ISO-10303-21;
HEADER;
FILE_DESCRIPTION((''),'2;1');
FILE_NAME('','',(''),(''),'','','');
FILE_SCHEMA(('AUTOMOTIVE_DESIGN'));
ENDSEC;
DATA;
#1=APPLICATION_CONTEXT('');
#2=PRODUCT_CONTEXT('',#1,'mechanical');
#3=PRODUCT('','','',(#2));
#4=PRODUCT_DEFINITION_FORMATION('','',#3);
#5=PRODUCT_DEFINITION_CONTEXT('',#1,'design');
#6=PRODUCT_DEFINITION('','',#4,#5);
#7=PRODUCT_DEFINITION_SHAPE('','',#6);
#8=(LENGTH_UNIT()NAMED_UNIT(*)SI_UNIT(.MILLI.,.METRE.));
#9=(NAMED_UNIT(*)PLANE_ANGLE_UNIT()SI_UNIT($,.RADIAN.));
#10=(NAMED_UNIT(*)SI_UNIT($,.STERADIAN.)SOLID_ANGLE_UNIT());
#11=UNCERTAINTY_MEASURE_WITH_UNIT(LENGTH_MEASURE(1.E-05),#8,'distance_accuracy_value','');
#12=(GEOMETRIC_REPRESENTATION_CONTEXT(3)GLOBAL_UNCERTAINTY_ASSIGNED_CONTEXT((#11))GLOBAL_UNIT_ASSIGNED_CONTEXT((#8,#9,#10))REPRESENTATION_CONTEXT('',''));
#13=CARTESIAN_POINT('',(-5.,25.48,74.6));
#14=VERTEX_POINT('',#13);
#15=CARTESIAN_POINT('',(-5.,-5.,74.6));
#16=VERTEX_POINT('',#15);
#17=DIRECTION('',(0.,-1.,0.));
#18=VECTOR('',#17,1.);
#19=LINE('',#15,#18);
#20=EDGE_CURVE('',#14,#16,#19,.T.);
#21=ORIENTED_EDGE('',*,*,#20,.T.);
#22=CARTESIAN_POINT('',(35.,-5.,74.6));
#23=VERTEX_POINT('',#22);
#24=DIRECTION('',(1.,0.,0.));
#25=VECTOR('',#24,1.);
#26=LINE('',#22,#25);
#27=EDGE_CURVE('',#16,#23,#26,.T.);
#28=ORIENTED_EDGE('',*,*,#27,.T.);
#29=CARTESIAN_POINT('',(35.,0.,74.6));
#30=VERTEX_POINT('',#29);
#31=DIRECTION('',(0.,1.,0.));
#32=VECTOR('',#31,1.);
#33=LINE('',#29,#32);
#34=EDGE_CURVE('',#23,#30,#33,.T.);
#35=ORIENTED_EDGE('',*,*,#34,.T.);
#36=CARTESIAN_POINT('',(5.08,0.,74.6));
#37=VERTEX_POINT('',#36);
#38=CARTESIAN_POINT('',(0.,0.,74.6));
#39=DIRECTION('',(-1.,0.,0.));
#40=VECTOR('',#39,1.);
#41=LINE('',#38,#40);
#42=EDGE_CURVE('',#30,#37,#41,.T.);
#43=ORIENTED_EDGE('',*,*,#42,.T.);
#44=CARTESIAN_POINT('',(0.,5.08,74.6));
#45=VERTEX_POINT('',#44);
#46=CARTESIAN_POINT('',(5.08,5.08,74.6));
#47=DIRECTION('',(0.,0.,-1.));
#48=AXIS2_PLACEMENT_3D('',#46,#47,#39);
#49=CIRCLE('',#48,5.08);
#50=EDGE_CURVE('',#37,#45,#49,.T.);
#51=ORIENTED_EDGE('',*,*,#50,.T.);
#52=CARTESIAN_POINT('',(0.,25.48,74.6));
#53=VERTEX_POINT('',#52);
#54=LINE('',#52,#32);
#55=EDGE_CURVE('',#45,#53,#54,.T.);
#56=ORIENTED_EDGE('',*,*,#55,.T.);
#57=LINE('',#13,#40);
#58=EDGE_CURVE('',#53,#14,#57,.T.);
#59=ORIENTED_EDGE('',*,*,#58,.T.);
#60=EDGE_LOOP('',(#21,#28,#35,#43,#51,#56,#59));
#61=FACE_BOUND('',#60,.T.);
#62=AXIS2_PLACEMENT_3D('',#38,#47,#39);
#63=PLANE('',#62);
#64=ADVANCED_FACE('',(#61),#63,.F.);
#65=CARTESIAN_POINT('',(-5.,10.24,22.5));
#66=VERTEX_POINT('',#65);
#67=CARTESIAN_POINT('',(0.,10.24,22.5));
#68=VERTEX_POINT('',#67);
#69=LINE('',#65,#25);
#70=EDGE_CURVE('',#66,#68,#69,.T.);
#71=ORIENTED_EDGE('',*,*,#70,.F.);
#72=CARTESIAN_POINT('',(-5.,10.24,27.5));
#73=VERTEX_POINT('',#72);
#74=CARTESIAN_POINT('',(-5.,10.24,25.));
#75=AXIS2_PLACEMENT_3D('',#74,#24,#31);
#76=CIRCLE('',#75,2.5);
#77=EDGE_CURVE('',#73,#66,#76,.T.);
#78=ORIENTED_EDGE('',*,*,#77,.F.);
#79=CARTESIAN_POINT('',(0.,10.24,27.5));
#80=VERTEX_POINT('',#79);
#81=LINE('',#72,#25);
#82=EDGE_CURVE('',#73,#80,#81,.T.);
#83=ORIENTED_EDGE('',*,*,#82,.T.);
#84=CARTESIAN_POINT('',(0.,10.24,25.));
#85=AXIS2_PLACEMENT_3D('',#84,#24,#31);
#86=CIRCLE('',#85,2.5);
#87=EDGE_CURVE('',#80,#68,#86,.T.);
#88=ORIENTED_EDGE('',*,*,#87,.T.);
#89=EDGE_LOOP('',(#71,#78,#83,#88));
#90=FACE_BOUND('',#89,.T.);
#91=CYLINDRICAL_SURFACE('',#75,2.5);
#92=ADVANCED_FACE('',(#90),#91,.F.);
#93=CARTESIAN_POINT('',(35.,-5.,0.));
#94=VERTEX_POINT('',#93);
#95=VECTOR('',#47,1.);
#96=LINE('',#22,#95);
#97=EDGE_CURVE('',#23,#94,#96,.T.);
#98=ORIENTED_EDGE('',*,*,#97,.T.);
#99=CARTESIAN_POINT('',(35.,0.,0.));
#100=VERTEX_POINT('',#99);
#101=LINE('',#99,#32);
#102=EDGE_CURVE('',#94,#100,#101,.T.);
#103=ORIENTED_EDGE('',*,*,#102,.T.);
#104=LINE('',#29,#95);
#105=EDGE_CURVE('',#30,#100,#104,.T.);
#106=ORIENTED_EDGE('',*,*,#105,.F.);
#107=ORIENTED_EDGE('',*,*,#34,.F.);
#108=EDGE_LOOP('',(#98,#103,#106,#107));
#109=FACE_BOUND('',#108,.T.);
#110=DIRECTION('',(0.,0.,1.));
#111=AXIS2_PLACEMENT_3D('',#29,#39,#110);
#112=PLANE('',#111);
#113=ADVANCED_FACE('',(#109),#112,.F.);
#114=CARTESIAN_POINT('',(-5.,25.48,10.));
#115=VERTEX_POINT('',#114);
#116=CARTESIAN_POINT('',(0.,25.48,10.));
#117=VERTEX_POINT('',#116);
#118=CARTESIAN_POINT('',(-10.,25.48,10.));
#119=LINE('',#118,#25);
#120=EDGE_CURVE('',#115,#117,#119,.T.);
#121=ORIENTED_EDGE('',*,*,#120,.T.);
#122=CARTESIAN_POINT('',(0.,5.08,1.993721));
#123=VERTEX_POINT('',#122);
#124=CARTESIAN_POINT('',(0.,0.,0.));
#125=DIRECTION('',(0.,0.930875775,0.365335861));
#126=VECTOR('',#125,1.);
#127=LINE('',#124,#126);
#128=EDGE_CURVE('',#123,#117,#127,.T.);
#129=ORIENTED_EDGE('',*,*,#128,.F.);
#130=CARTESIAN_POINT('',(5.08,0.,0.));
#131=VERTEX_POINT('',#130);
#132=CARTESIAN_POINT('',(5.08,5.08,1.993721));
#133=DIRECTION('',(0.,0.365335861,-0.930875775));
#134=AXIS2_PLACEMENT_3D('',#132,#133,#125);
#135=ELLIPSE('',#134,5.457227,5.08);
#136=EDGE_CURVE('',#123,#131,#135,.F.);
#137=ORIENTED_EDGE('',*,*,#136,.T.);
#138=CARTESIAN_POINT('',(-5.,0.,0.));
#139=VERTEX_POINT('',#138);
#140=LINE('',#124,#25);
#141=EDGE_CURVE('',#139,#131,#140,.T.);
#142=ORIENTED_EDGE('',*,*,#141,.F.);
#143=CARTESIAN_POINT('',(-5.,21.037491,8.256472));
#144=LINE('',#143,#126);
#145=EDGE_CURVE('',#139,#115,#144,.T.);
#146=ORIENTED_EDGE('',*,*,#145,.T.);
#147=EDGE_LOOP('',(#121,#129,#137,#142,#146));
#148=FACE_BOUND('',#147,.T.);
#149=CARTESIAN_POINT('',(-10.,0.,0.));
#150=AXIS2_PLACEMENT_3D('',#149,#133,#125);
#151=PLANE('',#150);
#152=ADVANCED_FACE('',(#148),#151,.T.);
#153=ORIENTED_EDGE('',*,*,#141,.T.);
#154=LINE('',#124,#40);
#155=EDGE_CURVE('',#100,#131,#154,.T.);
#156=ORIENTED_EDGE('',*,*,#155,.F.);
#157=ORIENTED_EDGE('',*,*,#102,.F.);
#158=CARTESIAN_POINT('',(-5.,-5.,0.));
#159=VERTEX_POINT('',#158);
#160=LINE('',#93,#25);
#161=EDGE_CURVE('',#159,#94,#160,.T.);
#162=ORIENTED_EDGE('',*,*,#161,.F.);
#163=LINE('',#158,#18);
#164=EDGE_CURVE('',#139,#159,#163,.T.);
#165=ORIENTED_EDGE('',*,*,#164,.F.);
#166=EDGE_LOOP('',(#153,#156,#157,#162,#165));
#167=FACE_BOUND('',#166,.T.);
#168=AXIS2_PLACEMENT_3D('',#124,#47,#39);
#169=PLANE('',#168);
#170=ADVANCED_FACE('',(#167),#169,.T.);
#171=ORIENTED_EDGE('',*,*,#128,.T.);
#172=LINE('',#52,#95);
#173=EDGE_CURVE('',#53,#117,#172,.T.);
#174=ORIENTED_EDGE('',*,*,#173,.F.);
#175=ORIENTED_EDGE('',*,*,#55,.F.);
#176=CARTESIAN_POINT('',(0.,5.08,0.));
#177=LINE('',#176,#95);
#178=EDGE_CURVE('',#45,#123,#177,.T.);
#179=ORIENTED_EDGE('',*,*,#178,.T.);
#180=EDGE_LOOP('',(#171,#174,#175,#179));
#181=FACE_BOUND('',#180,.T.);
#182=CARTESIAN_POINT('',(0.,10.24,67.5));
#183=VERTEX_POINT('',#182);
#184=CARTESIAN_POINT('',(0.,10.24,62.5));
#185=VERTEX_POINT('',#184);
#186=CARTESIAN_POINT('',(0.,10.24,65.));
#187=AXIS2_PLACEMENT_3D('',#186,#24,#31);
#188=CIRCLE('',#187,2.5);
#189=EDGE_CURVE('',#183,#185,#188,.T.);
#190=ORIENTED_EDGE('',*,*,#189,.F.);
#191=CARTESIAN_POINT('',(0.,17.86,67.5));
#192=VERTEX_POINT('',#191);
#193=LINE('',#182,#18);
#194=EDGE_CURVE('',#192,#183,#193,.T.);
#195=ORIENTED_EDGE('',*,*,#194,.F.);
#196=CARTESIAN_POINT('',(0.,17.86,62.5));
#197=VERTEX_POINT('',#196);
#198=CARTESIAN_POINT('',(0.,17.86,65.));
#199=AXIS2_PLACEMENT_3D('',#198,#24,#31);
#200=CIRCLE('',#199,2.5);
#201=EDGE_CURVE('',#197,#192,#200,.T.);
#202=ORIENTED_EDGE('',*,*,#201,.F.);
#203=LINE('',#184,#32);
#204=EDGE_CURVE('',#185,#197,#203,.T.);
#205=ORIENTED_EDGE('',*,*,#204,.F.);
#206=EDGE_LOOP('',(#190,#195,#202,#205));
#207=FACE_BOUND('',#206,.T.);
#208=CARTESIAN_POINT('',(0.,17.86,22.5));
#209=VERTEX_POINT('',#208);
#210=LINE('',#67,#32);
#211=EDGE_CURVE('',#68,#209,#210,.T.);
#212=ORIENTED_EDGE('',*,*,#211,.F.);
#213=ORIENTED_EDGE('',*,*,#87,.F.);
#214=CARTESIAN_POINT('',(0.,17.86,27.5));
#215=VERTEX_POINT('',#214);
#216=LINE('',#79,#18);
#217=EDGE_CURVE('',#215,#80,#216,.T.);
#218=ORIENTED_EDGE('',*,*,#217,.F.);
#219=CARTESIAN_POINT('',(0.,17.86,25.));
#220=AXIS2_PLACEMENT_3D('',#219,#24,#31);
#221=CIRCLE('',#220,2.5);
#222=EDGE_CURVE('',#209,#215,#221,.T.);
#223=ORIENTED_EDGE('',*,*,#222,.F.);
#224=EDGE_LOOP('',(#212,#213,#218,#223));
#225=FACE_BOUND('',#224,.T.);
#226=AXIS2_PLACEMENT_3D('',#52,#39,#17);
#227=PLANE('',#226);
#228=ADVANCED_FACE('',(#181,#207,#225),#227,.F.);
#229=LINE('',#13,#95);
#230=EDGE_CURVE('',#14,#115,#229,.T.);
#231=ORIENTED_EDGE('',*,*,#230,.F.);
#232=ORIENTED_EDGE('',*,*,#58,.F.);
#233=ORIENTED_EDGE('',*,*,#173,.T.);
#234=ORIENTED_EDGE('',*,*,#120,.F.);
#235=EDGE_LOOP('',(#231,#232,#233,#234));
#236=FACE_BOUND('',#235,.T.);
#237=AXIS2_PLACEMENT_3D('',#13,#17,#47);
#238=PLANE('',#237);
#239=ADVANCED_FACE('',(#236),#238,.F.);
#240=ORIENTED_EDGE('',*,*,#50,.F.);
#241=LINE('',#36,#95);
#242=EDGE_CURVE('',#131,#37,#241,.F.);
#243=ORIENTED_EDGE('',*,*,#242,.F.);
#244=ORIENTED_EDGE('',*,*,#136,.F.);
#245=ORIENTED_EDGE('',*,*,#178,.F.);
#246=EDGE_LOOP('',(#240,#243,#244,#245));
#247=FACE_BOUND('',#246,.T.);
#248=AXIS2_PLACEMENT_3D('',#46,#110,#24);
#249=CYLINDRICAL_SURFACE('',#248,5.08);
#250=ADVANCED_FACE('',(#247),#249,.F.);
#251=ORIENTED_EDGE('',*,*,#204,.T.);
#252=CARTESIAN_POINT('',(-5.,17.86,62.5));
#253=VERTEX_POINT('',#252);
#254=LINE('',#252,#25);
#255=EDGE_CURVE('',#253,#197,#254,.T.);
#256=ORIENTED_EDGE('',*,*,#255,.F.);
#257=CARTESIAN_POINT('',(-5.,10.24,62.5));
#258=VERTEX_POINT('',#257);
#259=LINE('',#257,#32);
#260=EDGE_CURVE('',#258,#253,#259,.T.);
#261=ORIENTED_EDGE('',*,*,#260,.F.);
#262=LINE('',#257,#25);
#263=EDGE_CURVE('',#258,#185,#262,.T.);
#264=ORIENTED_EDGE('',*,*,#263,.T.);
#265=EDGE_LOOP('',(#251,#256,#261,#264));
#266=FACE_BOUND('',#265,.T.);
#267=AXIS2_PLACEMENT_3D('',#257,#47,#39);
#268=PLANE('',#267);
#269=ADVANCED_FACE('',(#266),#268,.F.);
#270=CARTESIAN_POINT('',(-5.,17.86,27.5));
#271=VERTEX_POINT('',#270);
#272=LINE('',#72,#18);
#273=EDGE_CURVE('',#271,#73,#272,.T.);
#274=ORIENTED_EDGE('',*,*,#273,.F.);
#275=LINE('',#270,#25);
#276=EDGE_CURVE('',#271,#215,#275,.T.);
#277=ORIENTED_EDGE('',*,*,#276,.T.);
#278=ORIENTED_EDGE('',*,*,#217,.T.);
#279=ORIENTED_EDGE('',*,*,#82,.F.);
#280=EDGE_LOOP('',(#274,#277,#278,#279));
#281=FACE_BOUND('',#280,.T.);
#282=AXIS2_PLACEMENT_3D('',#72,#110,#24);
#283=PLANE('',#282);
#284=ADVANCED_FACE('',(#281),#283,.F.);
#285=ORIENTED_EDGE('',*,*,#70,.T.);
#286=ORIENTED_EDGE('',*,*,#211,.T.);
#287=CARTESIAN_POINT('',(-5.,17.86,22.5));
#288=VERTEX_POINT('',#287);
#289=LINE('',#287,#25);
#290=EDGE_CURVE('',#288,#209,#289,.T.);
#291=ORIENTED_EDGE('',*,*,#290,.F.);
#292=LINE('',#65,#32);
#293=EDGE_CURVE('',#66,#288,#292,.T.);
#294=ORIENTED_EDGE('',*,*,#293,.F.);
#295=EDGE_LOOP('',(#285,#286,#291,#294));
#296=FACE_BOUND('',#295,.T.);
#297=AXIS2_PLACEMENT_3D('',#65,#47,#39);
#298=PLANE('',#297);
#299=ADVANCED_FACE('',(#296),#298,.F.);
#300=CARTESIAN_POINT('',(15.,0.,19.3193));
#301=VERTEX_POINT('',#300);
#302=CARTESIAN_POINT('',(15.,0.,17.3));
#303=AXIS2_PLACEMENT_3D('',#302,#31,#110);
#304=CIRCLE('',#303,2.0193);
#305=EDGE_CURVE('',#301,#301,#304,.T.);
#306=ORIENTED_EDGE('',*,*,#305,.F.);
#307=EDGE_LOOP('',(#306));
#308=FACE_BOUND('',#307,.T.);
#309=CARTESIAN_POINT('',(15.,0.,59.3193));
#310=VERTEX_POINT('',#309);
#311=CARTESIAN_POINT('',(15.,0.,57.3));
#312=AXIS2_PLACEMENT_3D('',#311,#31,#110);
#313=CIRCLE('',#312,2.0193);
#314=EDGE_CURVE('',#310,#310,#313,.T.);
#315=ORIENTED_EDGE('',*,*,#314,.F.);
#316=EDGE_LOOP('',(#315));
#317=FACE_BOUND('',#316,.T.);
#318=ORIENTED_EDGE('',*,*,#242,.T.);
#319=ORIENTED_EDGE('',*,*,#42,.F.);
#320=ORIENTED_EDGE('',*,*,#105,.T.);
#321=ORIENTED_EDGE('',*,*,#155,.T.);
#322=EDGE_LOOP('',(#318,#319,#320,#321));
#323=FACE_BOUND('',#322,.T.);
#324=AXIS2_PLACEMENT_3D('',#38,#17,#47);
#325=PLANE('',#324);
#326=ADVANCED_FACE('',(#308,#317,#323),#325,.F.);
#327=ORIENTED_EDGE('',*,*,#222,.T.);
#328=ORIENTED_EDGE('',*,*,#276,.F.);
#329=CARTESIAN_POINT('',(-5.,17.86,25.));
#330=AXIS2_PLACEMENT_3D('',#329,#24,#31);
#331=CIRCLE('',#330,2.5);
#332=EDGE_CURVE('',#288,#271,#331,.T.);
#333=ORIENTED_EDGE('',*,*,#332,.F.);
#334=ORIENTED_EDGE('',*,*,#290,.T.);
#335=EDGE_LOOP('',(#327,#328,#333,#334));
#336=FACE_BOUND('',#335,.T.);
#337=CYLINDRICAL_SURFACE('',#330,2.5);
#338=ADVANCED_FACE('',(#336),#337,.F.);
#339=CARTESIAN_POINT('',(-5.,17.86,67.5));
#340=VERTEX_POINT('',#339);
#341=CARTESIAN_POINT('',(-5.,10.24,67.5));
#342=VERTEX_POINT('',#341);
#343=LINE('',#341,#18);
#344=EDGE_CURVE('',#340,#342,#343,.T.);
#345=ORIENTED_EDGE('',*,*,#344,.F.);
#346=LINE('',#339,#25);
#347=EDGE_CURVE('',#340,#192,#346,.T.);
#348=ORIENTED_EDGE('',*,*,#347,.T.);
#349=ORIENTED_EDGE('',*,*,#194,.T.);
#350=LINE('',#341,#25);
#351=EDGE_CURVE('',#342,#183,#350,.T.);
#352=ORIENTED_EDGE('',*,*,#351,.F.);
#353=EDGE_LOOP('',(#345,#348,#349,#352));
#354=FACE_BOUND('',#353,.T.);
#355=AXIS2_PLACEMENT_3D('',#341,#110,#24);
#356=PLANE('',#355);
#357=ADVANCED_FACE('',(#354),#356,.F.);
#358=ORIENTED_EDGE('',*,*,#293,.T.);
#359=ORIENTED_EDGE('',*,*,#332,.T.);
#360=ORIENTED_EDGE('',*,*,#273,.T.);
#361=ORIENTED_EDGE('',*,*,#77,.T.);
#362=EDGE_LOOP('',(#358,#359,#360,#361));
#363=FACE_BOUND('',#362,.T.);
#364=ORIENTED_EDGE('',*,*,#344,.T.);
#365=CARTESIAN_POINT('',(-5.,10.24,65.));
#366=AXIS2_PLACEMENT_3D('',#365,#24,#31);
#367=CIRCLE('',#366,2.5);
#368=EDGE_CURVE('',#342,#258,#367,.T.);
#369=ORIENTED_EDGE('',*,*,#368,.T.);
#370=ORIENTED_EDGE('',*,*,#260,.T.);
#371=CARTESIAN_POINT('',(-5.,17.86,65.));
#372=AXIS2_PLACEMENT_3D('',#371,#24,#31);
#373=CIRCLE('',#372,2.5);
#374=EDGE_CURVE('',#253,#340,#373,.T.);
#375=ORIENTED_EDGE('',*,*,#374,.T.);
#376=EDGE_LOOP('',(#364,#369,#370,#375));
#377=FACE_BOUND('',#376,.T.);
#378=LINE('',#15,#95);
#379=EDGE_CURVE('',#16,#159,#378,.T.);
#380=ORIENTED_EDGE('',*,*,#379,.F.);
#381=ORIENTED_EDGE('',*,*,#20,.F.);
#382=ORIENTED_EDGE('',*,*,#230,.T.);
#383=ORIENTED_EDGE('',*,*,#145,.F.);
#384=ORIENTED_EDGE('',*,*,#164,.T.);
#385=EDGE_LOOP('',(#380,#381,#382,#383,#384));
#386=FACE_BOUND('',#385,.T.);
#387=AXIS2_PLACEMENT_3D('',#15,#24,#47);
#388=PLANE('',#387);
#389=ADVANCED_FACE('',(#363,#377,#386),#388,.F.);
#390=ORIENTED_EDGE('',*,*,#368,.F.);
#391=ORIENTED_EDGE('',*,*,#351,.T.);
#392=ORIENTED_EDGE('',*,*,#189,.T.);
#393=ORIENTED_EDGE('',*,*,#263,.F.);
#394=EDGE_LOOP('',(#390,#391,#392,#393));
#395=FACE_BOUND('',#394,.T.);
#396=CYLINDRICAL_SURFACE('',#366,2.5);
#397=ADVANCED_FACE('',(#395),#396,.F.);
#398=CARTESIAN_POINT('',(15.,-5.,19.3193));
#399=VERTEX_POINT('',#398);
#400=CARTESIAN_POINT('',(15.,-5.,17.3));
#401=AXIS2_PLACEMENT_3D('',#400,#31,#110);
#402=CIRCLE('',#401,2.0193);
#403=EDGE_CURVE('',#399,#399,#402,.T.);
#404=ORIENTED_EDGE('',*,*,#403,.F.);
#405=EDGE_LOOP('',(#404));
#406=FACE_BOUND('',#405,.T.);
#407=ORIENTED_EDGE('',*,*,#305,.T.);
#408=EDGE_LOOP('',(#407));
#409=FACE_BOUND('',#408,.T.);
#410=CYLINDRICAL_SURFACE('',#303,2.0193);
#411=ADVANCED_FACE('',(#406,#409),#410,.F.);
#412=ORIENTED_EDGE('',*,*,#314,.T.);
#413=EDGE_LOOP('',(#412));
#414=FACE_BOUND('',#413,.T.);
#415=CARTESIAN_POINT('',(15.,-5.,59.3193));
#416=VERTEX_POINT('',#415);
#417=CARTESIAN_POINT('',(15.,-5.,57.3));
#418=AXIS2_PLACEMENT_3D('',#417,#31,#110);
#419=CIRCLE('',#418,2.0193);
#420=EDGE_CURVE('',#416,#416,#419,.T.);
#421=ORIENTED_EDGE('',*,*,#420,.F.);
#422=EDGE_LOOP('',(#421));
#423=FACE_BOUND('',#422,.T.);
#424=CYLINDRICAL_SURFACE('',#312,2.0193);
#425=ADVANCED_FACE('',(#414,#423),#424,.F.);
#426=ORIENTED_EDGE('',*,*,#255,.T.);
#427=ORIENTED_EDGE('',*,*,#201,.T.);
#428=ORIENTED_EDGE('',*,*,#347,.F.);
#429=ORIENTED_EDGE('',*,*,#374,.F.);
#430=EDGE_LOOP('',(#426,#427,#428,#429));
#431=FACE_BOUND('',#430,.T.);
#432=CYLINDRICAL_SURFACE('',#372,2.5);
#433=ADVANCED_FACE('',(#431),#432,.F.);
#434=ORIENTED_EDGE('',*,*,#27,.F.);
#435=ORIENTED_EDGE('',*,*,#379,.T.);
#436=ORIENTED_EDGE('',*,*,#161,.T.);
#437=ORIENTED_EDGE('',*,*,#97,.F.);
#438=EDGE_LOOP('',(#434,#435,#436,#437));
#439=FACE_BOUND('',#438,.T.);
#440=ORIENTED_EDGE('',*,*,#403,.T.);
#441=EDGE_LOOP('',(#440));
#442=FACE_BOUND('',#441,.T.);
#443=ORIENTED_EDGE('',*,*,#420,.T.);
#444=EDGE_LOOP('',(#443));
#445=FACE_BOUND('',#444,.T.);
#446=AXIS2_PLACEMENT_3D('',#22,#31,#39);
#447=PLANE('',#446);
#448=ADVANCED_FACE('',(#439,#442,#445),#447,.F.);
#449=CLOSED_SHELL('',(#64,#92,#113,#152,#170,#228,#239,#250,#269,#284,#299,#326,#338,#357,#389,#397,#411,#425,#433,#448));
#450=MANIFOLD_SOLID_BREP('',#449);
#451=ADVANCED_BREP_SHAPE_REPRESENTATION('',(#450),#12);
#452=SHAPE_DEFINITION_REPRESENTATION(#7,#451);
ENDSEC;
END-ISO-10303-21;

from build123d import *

# Parameters (mm, degrees)
BOSS_EXTRUDE1_DEPTH    = 74.6
CUT_EXTRUDE2_DEPTH     = 87.251900849
CUT_EXTRUDE3_DEPTH     = 10
FILLET1_R              = 5.08
F_10_32_TAPPED_HOLE1_D = 4.0386


with BuildPart() as part:
    # Sketch1 → Boss-Extrude1 (new body)
    with BuildSketch(Plane.XY):
        Polygon((0, 25.48), (0, 0), (35, 0), (35, -5), (-5, -5), (-5, 25.48), align=None)
    extrude(amount=BOSS_EXTRUDE1_DEPTH)

    # Sketch3 → Cut-Extrude2 (cut, through all)
    with BuildSketch(Plane(origin=(0, 0, 0), x_dir=(0, 0, -1), z_dir=(1, 0, 0))):
        with BuildLine():
            Line((-67.5, 10.24), (-67.5, 17.86))
            ThreePointArc((-67.5, 17.86), (-65, 20.36), (-62.5, 17.86))
            Line((-62.5, 17.86), (-62.5, 10.24))
            ThreePointArc((-62.5, 10.24), (-65, 7.74), (-67.5, 10.24))
        make_face()
        with BuildLine():
            Line((-27.5, 10.24), (-27.5, 17.86))
            ThreePointArc((-27.5, 17.86), (-25, 20.36), (-22.5, 17.86))
            Line((-22.5, 17.86), (-22.5, 10.24))
            ThreePointArc((-22.5, 10.24), (-25, 7.74), (-27.5, 10.24))
        make_face()
    extrude(amount=-CUT_EXTRUDE2_DEPTH, mode=Mode.SUBTRACT)

    # Sketch4 → Cut-Extrude3 (cut)
    with BuildSketch(Plane(origin=(0, 0, 0), x_dir=(0, 0, -1), z_dir=(1, 0, 0))):
        Polygon((-10, 25.48), (0, 0), (0, 25.48), align=None)
    extrude(amount=-CUT_EXTRUDE3_DEPTH, mode=Mode.SUBTRACT)

    # Fillet1
    fillet1_edges = [part.edges().sort_by_distance(p)[0] for p in [
        (0, 0, 37.3),
    ]]
    fillet(fillet1_edges, radius=FILLET1_R)

    # #10-32 Tapped Hole1 (through all)
    with Locations(Plane(origin=(0, 0, 0), x_dir=(1, 0, 0), z_dir=(0, 1, 0))):
        with Locations((15, -17.3), (15, -57.3)):
            Hole(F_10_32_TAPPED_HOLE1_D / 2)


solid = part.part
